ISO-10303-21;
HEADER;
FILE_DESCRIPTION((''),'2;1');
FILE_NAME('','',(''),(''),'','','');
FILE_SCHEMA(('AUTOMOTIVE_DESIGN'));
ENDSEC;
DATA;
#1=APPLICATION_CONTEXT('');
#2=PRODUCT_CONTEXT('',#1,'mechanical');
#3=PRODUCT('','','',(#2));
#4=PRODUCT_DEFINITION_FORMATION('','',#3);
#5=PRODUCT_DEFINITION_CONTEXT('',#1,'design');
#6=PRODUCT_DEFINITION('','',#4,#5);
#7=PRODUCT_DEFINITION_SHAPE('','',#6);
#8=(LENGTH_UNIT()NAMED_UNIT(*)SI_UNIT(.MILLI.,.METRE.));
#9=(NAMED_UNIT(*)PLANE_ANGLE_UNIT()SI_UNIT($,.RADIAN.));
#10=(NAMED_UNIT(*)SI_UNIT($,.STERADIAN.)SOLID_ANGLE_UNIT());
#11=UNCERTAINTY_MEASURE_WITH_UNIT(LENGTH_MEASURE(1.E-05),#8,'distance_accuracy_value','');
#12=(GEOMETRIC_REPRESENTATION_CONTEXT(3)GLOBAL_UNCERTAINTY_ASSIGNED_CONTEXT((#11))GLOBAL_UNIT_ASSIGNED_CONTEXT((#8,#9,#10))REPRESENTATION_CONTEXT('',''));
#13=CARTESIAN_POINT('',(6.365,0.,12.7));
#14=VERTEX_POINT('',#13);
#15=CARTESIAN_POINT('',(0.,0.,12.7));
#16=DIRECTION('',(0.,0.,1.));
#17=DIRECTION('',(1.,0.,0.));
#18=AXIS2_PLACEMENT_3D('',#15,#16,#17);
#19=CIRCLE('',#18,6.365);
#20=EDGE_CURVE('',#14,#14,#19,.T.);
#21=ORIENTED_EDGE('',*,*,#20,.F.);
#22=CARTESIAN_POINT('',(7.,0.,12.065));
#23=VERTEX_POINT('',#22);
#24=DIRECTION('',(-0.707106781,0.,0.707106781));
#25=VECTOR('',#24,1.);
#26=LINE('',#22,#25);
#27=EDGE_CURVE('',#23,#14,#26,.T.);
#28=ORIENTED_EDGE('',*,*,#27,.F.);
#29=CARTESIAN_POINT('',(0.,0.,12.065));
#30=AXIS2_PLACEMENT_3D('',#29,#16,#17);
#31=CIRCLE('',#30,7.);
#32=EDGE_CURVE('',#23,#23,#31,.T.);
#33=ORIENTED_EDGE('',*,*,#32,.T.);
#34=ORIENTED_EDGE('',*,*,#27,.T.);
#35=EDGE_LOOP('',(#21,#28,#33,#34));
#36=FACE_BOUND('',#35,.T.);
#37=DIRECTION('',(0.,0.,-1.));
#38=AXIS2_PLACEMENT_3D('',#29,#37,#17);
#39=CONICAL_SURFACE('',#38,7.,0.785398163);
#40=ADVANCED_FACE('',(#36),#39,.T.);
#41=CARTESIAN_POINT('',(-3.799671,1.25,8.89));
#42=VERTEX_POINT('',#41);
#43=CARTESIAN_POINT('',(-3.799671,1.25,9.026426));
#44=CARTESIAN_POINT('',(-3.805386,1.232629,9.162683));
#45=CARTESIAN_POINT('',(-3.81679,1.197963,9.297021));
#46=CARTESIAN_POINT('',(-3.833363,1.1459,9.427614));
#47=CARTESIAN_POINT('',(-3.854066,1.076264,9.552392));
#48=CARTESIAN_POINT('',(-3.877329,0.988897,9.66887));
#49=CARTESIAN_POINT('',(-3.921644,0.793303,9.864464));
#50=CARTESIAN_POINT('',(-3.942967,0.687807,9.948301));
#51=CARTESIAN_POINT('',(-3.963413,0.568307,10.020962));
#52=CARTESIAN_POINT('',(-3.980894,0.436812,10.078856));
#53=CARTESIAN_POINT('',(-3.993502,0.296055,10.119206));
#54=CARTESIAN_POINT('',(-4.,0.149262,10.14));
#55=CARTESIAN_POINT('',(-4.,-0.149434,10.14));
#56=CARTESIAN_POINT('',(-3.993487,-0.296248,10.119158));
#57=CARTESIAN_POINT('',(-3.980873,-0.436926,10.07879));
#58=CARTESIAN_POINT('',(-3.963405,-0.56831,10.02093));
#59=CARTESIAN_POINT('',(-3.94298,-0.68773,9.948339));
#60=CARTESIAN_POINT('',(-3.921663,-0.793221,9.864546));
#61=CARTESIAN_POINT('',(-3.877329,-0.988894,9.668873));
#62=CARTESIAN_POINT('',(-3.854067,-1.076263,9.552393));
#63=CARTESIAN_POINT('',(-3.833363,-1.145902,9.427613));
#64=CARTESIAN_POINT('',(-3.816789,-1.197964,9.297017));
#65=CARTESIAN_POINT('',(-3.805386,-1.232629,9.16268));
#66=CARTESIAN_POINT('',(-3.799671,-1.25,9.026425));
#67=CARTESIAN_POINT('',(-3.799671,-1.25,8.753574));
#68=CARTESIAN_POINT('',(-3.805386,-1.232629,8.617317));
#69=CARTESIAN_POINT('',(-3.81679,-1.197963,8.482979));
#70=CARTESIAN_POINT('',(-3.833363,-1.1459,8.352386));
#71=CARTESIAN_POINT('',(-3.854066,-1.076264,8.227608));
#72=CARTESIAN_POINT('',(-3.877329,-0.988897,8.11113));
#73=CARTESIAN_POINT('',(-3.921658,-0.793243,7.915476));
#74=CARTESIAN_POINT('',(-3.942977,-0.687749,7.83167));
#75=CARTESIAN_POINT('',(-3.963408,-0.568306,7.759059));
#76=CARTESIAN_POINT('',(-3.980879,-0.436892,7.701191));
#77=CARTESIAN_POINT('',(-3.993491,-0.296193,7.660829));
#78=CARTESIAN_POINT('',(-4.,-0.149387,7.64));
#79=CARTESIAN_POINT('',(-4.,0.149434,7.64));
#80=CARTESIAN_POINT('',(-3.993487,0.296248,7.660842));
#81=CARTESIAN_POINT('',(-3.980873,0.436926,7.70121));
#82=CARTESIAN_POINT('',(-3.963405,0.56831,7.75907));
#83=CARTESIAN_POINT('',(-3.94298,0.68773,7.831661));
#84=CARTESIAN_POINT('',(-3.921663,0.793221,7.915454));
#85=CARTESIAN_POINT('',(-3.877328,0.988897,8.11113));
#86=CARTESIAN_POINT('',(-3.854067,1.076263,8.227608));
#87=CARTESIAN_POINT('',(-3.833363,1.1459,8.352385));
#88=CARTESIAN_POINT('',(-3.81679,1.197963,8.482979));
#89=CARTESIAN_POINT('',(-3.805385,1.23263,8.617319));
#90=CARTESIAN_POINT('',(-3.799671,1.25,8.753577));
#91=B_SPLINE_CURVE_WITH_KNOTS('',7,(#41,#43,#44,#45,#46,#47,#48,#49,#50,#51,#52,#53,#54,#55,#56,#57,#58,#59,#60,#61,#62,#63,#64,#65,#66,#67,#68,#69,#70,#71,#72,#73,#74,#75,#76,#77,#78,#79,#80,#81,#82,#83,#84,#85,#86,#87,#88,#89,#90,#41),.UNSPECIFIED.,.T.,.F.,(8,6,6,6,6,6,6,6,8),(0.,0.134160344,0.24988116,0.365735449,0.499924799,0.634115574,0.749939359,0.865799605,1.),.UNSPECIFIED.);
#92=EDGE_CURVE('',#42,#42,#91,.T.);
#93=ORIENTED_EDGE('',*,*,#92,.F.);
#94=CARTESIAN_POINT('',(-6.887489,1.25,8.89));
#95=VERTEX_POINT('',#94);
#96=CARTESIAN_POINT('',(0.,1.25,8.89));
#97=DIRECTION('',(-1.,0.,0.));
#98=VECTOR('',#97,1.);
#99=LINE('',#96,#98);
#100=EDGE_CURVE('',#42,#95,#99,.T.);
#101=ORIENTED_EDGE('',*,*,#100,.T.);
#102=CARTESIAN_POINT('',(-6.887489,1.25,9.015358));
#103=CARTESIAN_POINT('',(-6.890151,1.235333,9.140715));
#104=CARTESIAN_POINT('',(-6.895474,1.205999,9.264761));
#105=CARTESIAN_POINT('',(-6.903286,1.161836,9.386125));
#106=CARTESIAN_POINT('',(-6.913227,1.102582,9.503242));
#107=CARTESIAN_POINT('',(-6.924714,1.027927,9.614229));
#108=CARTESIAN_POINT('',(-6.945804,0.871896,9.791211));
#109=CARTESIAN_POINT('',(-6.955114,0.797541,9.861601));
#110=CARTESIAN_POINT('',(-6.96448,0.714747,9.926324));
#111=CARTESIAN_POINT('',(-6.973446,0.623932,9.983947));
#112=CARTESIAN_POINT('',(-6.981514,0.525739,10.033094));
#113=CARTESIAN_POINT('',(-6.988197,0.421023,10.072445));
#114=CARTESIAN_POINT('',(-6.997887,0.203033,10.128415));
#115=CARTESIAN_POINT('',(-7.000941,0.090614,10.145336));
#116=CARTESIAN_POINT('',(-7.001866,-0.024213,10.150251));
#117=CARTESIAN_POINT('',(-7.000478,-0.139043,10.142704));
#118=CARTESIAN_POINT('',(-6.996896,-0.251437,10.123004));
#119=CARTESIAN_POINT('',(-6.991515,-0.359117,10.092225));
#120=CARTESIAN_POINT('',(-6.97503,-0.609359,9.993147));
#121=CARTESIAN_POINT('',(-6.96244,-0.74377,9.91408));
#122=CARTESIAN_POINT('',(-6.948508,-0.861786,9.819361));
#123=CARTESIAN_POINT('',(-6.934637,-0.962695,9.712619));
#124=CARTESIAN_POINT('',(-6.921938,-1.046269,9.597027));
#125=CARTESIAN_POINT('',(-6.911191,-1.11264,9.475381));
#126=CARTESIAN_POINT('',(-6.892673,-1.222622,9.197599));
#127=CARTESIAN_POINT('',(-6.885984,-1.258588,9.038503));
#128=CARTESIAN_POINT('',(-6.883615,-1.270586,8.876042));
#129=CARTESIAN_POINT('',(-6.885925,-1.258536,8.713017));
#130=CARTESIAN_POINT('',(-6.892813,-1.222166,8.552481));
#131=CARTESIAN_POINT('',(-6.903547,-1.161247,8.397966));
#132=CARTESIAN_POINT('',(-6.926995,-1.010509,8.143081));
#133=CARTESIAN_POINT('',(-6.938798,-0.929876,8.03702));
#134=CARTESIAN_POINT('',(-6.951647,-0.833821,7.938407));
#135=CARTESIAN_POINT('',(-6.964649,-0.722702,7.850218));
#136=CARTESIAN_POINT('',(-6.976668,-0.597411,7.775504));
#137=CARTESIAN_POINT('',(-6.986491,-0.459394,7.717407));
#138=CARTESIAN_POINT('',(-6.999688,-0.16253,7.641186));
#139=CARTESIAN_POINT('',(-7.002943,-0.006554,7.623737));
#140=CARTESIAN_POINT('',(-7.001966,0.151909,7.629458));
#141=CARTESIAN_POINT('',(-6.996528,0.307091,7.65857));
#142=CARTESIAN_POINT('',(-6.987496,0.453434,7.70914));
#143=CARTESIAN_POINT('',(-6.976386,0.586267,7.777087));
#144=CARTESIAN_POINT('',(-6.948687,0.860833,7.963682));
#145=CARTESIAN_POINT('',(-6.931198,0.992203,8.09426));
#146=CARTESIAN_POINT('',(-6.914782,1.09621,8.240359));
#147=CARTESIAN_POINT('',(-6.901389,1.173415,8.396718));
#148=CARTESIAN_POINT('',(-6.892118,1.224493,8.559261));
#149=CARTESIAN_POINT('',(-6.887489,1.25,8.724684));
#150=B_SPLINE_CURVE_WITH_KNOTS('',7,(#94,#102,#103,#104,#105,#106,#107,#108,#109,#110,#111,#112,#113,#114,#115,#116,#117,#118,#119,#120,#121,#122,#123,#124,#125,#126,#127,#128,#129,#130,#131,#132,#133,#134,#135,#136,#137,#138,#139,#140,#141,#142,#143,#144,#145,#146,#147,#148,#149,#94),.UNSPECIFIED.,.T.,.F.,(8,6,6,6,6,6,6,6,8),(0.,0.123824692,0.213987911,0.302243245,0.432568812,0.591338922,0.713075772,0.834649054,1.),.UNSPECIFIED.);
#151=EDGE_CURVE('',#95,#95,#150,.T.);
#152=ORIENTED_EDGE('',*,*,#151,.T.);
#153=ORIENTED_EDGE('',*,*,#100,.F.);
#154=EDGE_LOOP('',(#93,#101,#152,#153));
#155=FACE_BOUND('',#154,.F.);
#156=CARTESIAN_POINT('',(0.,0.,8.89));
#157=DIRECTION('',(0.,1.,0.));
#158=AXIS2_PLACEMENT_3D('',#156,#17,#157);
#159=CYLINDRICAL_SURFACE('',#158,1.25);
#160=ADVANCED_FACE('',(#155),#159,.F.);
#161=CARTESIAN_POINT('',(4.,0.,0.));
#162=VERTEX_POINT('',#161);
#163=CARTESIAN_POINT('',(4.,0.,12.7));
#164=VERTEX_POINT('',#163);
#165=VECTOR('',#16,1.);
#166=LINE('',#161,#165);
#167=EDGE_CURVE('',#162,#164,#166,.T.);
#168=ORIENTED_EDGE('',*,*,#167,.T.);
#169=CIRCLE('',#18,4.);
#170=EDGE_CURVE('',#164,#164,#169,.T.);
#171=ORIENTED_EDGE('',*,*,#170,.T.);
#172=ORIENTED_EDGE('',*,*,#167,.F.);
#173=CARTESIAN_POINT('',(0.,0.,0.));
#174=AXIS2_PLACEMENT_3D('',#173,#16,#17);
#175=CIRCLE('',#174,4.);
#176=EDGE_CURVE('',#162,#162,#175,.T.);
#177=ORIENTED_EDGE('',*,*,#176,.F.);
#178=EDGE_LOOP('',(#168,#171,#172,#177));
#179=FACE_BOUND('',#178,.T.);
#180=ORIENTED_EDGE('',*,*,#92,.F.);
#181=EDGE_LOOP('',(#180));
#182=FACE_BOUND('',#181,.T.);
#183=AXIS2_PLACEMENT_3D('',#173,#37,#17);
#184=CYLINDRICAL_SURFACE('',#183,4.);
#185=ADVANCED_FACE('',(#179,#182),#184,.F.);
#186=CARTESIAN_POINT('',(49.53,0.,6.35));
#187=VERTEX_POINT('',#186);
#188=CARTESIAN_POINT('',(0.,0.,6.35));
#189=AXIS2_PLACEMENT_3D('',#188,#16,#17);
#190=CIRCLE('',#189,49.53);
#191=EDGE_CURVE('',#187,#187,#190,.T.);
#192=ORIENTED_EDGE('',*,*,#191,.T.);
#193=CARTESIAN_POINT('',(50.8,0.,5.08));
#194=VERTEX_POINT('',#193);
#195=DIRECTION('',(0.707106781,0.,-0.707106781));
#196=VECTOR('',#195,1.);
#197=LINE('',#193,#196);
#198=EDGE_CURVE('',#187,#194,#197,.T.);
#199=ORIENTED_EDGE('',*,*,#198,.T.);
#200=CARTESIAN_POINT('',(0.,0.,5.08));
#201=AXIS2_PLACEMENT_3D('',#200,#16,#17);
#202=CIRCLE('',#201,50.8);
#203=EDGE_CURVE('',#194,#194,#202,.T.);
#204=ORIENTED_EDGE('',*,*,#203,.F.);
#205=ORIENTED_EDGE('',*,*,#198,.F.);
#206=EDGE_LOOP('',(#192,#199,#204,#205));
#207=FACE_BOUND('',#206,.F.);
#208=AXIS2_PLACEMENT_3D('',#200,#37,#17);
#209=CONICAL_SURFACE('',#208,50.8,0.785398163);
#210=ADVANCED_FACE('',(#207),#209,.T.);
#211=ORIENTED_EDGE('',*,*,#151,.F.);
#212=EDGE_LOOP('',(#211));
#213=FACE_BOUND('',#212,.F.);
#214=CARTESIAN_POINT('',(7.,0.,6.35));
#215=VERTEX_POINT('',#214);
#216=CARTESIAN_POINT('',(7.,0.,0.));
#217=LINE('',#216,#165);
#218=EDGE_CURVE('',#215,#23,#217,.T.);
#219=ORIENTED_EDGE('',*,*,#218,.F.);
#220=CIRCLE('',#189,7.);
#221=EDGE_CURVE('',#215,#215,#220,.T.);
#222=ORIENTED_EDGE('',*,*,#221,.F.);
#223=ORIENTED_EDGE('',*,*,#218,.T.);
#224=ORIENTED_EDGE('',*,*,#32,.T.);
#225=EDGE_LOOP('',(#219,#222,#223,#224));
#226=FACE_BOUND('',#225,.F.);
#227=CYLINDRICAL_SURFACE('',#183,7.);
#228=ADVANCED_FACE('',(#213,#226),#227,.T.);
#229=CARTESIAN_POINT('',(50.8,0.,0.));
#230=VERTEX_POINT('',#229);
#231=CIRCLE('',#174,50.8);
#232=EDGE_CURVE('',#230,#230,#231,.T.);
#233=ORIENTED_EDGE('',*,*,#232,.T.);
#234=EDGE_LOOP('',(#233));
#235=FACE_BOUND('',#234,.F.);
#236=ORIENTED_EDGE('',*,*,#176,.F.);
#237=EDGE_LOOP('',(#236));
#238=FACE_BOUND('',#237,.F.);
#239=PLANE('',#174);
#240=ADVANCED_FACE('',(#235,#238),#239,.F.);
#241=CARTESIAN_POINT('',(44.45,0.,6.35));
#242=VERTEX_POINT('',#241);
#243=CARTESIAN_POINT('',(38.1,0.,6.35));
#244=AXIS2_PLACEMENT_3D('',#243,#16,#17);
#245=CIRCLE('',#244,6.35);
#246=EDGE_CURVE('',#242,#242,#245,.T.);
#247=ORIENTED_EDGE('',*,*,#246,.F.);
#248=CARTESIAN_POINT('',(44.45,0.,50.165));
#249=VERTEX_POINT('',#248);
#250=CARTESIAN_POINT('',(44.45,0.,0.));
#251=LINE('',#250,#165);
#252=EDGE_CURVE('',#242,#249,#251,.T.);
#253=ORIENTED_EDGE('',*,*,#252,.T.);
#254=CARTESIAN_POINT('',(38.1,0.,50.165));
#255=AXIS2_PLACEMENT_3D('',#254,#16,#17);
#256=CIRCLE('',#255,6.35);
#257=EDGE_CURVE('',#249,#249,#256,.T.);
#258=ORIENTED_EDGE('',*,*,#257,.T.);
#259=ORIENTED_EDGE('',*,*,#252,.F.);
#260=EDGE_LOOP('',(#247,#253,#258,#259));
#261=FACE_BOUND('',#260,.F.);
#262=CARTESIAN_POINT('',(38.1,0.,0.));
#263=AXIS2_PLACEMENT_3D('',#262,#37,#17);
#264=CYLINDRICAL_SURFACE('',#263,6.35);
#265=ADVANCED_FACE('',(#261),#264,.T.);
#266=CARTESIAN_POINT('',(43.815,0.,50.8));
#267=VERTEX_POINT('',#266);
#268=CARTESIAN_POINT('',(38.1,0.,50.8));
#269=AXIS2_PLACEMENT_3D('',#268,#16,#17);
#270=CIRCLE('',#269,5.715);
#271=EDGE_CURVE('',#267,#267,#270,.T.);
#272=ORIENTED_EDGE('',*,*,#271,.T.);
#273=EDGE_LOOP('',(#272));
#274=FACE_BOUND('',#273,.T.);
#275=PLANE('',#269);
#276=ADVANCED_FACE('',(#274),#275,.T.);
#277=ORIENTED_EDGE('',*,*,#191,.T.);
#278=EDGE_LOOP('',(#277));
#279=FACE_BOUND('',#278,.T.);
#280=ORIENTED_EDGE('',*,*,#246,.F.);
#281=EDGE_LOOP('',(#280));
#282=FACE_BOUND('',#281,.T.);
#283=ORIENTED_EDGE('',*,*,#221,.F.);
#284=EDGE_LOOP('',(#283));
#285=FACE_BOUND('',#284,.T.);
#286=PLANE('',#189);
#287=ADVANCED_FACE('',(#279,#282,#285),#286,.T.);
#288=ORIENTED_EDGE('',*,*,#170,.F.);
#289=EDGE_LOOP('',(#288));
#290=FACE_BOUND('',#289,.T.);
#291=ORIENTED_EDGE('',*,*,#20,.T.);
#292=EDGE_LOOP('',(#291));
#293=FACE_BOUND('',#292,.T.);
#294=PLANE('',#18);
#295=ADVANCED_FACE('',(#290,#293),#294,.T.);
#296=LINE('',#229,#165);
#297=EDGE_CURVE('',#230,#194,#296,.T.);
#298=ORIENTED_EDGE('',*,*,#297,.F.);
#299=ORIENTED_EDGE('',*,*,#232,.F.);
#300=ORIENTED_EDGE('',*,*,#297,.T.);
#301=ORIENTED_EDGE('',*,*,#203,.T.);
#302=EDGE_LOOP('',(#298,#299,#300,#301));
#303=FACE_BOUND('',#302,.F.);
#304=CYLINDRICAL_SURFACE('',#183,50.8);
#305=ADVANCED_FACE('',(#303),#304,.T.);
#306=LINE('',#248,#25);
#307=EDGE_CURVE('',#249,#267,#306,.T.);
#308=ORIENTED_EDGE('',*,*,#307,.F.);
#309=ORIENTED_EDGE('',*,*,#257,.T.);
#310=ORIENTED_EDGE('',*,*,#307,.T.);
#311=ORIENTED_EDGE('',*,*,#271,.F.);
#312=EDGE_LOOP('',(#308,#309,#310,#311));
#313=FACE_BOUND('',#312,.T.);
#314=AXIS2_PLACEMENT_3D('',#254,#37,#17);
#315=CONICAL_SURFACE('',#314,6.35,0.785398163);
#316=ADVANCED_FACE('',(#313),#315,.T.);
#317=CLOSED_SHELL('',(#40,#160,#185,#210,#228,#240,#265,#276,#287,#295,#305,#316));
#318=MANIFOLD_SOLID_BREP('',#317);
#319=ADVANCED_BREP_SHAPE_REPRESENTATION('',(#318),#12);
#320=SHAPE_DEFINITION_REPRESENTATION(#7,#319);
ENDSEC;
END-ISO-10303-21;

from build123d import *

# Parameters (mm, degrees)
F0_R     = 50.8
F0_R_2   = 7
F0_R_3   = 6.35
F1_DEPTH = 6.35
F2_DEPTH = 50.8
F0_R_4   = 4
F3_DEPTH = 12.7
F4_SIZE  = 0.635
F5_R     = 1.25
F6_DEPTH = 25.4
F7_SIZE  = 1.27


with BuildPart() as f1:
    # F0 (on Top) → F1 (new body)
    with BuildSketch(Plane.XY):
        Circle(F0_R)
        Circle(F0_R_2, mode=Mode.SUBTRACT)
        with Locations((38.1, 0)):
            Circle(F0_R_3, mode=Mode.SUBTRACT)
    extrude(amount=F1_DEPTH)

    # F0 (on Top) → F2 (join)
    with BuildSketch(Plane.XY):
        with Locations((38.1, 0)):
            Circle(F0_R_3)
    extrude(amount=F2_DEPTH)

    # F0 (on Top) → F3 (join)
    with BuildSketch(Plane.XY):
        Circle(F0_R_2)
        Circle(F0_R_4, mode=Mode.SUBTRACT)
    extrude(amount=F3_DEPTH)

    # F4
    f4_edges = [f1.edges().sort_by_distance(p)[0] for p in [
        (31.75, 0, 50.8),
        (-7, 0, 12.7),
    ]]
    chamfer(f4_edges, length=F4_SIZE)

    # F5 (on Right) → F6 (cut)
    with BuildSketch(Plane.YZ):
        with Locations((0, 8.89)):
            Circle(F5_R)
    extrude(amount=-F6_DEPTH, mode=Mode.SUBTRACT)

    # F7
    f7_edges = [f1.edges().sort_by_distance(p)[0] for p in [
        (-50.8, 0, 6.35),
    ]]
    chamfer(f7_edges, length=F7_SIZE)


solid = f1.part
